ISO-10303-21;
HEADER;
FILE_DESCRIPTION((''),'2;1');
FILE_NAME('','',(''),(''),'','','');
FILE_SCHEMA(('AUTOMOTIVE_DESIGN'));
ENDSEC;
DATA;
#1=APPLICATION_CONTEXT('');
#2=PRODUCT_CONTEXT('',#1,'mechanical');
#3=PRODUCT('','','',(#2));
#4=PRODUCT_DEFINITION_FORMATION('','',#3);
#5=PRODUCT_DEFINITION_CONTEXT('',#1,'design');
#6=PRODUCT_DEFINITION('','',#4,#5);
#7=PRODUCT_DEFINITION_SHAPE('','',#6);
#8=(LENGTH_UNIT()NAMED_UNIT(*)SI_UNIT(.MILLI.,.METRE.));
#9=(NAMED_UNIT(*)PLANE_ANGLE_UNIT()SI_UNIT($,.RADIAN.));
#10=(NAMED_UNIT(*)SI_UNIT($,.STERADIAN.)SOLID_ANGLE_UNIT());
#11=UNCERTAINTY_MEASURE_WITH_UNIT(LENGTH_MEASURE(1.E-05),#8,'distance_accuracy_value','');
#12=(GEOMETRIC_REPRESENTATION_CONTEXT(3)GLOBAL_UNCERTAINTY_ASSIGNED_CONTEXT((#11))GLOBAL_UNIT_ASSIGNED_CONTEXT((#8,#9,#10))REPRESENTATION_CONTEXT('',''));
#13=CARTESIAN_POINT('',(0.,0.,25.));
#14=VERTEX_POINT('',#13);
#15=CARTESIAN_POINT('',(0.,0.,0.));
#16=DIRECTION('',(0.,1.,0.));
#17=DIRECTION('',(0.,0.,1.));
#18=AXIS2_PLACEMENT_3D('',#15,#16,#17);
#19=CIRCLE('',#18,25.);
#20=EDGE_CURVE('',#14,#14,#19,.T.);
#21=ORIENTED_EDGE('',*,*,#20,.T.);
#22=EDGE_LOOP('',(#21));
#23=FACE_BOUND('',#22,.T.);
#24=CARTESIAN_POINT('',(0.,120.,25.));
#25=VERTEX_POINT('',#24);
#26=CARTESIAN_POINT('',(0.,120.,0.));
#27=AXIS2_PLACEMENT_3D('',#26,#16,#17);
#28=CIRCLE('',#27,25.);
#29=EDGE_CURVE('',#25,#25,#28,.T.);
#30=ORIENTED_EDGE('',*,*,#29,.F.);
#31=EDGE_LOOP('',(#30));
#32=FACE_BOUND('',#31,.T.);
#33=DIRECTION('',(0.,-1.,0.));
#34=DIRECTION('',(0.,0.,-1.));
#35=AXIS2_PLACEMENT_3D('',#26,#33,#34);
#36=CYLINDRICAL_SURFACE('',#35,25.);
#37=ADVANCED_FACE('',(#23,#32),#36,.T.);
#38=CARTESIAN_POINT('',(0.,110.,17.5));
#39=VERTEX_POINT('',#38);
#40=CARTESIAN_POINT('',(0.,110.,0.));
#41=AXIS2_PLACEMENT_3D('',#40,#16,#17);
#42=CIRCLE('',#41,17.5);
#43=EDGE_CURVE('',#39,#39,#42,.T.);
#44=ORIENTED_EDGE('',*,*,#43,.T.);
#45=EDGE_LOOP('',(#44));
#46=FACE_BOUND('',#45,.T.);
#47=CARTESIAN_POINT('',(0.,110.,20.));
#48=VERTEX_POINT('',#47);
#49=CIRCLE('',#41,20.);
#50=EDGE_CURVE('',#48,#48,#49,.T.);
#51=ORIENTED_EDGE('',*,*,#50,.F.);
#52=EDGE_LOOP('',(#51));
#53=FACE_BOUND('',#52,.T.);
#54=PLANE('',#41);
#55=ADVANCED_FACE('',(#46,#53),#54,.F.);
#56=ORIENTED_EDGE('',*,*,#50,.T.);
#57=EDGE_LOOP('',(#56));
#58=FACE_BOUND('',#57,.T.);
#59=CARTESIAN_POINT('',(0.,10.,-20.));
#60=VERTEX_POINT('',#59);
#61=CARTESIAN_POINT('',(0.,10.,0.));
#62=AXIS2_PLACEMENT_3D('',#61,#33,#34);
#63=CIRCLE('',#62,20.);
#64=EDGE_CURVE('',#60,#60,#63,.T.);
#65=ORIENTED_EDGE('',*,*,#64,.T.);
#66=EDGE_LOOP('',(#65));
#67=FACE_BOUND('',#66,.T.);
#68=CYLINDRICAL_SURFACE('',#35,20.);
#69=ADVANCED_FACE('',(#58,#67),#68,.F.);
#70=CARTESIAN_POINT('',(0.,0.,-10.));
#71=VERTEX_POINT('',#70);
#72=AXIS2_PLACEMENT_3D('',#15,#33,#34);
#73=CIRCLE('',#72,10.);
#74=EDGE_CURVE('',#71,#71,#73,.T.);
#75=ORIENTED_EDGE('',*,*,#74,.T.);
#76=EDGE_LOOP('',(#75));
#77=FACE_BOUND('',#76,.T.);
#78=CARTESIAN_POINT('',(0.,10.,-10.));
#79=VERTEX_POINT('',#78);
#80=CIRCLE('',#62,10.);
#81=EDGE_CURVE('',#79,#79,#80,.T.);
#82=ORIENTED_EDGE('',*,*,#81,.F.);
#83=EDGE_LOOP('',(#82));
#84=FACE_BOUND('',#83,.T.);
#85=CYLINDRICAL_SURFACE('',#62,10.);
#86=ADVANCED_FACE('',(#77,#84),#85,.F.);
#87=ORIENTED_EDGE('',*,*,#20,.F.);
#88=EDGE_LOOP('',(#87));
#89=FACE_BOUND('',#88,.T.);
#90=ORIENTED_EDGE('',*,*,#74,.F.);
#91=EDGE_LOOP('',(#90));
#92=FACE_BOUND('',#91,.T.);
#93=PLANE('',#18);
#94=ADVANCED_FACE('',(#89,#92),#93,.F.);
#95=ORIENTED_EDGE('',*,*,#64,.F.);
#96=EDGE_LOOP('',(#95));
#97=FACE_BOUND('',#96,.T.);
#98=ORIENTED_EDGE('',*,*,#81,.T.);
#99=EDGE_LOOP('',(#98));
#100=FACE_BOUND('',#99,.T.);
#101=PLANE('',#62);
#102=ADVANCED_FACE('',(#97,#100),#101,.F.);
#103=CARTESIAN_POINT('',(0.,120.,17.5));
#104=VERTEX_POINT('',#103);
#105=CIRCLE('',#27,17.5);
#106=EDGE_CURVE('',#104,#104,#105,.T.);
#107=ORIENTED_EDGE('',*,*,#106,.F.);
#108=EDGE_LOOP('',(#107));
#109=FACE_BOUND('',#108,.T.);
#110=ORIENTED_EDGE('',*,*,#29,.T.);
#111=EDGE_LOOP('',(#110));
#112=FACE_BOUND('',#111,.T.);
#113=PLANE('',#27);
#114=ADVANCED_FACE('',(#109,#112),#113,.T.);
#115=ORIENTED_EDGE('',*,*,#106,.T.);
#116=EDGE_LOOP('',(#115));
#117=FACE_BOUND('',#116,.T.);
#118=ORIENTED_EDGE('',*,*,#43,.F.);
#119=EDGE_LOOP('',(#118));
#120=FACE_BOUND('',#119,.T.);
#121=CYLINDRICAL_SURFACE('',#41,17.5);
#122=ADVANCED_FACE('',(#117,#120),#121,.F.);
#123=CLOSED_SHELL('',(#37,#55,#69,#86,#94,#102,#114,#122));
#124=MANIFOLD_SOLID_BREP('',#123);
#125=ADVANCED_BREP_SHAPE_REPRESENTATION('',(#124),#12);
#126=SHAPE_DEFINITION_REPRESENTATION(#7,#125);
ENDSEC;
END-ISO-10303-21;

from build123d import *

# Parameters (mm, degrees)
SKETCH1_R           = 25
SKETCH1_R_2         = 20
BOSS_EXTRUDE1_DEPTH = 120
SKETCH2_R           = 20
SKETCH2_R_2         = 17.5
BOSS_EXTRUDE2_DEPTH = 10
SKETCH3_R           = 20
SKETCH3_R_2         = 10
BOSS_EXTRUDE3_DEPTH = 10


with BuildPart() as part:
    # Sketch1 → Boss-Extrude1 (new body)
    with BuildSketch(Plane(origin=(0, 0, 0), x_dir=(1, 0, 0), z_dir=(0, 1, 0))):
        Circle(SKETCH1_R)
        Circle(SKETCH1_R_2, mode=Mode.SUBTRACT)
    extrude(amount=BOSS_EXTRUDE1_DEPTH)

    # Sketch2 → Boss-Extrude2 (add)
    with BuildSketch(Plane(origin=(0, 120, 0), x_dir=(1, 0, 0), z_dir=(0, 1, 0))):
        Circle(SKETCH2_R)
        Circle(SKETCH2_R_2, mode=Mode.SUBTRACT)
    extrude(amount=-BOSS_EXTRUDE2_DEPTH)

    # Sketch3 → Boss-Extrude3 (add)
    with BuildSketch(Plane(origin=(0, 0, 0), x_dir=(-1, 0, 0), z_dir=(0, -1, 0))):
        Circle(SKETCH3_R)
        Circle(SKETCH3_R_2, mode=Mode.SUBTRACT)
    extrude(amount=-BOSS_EXTRUDE3_DEPTH)


solid = part.part
